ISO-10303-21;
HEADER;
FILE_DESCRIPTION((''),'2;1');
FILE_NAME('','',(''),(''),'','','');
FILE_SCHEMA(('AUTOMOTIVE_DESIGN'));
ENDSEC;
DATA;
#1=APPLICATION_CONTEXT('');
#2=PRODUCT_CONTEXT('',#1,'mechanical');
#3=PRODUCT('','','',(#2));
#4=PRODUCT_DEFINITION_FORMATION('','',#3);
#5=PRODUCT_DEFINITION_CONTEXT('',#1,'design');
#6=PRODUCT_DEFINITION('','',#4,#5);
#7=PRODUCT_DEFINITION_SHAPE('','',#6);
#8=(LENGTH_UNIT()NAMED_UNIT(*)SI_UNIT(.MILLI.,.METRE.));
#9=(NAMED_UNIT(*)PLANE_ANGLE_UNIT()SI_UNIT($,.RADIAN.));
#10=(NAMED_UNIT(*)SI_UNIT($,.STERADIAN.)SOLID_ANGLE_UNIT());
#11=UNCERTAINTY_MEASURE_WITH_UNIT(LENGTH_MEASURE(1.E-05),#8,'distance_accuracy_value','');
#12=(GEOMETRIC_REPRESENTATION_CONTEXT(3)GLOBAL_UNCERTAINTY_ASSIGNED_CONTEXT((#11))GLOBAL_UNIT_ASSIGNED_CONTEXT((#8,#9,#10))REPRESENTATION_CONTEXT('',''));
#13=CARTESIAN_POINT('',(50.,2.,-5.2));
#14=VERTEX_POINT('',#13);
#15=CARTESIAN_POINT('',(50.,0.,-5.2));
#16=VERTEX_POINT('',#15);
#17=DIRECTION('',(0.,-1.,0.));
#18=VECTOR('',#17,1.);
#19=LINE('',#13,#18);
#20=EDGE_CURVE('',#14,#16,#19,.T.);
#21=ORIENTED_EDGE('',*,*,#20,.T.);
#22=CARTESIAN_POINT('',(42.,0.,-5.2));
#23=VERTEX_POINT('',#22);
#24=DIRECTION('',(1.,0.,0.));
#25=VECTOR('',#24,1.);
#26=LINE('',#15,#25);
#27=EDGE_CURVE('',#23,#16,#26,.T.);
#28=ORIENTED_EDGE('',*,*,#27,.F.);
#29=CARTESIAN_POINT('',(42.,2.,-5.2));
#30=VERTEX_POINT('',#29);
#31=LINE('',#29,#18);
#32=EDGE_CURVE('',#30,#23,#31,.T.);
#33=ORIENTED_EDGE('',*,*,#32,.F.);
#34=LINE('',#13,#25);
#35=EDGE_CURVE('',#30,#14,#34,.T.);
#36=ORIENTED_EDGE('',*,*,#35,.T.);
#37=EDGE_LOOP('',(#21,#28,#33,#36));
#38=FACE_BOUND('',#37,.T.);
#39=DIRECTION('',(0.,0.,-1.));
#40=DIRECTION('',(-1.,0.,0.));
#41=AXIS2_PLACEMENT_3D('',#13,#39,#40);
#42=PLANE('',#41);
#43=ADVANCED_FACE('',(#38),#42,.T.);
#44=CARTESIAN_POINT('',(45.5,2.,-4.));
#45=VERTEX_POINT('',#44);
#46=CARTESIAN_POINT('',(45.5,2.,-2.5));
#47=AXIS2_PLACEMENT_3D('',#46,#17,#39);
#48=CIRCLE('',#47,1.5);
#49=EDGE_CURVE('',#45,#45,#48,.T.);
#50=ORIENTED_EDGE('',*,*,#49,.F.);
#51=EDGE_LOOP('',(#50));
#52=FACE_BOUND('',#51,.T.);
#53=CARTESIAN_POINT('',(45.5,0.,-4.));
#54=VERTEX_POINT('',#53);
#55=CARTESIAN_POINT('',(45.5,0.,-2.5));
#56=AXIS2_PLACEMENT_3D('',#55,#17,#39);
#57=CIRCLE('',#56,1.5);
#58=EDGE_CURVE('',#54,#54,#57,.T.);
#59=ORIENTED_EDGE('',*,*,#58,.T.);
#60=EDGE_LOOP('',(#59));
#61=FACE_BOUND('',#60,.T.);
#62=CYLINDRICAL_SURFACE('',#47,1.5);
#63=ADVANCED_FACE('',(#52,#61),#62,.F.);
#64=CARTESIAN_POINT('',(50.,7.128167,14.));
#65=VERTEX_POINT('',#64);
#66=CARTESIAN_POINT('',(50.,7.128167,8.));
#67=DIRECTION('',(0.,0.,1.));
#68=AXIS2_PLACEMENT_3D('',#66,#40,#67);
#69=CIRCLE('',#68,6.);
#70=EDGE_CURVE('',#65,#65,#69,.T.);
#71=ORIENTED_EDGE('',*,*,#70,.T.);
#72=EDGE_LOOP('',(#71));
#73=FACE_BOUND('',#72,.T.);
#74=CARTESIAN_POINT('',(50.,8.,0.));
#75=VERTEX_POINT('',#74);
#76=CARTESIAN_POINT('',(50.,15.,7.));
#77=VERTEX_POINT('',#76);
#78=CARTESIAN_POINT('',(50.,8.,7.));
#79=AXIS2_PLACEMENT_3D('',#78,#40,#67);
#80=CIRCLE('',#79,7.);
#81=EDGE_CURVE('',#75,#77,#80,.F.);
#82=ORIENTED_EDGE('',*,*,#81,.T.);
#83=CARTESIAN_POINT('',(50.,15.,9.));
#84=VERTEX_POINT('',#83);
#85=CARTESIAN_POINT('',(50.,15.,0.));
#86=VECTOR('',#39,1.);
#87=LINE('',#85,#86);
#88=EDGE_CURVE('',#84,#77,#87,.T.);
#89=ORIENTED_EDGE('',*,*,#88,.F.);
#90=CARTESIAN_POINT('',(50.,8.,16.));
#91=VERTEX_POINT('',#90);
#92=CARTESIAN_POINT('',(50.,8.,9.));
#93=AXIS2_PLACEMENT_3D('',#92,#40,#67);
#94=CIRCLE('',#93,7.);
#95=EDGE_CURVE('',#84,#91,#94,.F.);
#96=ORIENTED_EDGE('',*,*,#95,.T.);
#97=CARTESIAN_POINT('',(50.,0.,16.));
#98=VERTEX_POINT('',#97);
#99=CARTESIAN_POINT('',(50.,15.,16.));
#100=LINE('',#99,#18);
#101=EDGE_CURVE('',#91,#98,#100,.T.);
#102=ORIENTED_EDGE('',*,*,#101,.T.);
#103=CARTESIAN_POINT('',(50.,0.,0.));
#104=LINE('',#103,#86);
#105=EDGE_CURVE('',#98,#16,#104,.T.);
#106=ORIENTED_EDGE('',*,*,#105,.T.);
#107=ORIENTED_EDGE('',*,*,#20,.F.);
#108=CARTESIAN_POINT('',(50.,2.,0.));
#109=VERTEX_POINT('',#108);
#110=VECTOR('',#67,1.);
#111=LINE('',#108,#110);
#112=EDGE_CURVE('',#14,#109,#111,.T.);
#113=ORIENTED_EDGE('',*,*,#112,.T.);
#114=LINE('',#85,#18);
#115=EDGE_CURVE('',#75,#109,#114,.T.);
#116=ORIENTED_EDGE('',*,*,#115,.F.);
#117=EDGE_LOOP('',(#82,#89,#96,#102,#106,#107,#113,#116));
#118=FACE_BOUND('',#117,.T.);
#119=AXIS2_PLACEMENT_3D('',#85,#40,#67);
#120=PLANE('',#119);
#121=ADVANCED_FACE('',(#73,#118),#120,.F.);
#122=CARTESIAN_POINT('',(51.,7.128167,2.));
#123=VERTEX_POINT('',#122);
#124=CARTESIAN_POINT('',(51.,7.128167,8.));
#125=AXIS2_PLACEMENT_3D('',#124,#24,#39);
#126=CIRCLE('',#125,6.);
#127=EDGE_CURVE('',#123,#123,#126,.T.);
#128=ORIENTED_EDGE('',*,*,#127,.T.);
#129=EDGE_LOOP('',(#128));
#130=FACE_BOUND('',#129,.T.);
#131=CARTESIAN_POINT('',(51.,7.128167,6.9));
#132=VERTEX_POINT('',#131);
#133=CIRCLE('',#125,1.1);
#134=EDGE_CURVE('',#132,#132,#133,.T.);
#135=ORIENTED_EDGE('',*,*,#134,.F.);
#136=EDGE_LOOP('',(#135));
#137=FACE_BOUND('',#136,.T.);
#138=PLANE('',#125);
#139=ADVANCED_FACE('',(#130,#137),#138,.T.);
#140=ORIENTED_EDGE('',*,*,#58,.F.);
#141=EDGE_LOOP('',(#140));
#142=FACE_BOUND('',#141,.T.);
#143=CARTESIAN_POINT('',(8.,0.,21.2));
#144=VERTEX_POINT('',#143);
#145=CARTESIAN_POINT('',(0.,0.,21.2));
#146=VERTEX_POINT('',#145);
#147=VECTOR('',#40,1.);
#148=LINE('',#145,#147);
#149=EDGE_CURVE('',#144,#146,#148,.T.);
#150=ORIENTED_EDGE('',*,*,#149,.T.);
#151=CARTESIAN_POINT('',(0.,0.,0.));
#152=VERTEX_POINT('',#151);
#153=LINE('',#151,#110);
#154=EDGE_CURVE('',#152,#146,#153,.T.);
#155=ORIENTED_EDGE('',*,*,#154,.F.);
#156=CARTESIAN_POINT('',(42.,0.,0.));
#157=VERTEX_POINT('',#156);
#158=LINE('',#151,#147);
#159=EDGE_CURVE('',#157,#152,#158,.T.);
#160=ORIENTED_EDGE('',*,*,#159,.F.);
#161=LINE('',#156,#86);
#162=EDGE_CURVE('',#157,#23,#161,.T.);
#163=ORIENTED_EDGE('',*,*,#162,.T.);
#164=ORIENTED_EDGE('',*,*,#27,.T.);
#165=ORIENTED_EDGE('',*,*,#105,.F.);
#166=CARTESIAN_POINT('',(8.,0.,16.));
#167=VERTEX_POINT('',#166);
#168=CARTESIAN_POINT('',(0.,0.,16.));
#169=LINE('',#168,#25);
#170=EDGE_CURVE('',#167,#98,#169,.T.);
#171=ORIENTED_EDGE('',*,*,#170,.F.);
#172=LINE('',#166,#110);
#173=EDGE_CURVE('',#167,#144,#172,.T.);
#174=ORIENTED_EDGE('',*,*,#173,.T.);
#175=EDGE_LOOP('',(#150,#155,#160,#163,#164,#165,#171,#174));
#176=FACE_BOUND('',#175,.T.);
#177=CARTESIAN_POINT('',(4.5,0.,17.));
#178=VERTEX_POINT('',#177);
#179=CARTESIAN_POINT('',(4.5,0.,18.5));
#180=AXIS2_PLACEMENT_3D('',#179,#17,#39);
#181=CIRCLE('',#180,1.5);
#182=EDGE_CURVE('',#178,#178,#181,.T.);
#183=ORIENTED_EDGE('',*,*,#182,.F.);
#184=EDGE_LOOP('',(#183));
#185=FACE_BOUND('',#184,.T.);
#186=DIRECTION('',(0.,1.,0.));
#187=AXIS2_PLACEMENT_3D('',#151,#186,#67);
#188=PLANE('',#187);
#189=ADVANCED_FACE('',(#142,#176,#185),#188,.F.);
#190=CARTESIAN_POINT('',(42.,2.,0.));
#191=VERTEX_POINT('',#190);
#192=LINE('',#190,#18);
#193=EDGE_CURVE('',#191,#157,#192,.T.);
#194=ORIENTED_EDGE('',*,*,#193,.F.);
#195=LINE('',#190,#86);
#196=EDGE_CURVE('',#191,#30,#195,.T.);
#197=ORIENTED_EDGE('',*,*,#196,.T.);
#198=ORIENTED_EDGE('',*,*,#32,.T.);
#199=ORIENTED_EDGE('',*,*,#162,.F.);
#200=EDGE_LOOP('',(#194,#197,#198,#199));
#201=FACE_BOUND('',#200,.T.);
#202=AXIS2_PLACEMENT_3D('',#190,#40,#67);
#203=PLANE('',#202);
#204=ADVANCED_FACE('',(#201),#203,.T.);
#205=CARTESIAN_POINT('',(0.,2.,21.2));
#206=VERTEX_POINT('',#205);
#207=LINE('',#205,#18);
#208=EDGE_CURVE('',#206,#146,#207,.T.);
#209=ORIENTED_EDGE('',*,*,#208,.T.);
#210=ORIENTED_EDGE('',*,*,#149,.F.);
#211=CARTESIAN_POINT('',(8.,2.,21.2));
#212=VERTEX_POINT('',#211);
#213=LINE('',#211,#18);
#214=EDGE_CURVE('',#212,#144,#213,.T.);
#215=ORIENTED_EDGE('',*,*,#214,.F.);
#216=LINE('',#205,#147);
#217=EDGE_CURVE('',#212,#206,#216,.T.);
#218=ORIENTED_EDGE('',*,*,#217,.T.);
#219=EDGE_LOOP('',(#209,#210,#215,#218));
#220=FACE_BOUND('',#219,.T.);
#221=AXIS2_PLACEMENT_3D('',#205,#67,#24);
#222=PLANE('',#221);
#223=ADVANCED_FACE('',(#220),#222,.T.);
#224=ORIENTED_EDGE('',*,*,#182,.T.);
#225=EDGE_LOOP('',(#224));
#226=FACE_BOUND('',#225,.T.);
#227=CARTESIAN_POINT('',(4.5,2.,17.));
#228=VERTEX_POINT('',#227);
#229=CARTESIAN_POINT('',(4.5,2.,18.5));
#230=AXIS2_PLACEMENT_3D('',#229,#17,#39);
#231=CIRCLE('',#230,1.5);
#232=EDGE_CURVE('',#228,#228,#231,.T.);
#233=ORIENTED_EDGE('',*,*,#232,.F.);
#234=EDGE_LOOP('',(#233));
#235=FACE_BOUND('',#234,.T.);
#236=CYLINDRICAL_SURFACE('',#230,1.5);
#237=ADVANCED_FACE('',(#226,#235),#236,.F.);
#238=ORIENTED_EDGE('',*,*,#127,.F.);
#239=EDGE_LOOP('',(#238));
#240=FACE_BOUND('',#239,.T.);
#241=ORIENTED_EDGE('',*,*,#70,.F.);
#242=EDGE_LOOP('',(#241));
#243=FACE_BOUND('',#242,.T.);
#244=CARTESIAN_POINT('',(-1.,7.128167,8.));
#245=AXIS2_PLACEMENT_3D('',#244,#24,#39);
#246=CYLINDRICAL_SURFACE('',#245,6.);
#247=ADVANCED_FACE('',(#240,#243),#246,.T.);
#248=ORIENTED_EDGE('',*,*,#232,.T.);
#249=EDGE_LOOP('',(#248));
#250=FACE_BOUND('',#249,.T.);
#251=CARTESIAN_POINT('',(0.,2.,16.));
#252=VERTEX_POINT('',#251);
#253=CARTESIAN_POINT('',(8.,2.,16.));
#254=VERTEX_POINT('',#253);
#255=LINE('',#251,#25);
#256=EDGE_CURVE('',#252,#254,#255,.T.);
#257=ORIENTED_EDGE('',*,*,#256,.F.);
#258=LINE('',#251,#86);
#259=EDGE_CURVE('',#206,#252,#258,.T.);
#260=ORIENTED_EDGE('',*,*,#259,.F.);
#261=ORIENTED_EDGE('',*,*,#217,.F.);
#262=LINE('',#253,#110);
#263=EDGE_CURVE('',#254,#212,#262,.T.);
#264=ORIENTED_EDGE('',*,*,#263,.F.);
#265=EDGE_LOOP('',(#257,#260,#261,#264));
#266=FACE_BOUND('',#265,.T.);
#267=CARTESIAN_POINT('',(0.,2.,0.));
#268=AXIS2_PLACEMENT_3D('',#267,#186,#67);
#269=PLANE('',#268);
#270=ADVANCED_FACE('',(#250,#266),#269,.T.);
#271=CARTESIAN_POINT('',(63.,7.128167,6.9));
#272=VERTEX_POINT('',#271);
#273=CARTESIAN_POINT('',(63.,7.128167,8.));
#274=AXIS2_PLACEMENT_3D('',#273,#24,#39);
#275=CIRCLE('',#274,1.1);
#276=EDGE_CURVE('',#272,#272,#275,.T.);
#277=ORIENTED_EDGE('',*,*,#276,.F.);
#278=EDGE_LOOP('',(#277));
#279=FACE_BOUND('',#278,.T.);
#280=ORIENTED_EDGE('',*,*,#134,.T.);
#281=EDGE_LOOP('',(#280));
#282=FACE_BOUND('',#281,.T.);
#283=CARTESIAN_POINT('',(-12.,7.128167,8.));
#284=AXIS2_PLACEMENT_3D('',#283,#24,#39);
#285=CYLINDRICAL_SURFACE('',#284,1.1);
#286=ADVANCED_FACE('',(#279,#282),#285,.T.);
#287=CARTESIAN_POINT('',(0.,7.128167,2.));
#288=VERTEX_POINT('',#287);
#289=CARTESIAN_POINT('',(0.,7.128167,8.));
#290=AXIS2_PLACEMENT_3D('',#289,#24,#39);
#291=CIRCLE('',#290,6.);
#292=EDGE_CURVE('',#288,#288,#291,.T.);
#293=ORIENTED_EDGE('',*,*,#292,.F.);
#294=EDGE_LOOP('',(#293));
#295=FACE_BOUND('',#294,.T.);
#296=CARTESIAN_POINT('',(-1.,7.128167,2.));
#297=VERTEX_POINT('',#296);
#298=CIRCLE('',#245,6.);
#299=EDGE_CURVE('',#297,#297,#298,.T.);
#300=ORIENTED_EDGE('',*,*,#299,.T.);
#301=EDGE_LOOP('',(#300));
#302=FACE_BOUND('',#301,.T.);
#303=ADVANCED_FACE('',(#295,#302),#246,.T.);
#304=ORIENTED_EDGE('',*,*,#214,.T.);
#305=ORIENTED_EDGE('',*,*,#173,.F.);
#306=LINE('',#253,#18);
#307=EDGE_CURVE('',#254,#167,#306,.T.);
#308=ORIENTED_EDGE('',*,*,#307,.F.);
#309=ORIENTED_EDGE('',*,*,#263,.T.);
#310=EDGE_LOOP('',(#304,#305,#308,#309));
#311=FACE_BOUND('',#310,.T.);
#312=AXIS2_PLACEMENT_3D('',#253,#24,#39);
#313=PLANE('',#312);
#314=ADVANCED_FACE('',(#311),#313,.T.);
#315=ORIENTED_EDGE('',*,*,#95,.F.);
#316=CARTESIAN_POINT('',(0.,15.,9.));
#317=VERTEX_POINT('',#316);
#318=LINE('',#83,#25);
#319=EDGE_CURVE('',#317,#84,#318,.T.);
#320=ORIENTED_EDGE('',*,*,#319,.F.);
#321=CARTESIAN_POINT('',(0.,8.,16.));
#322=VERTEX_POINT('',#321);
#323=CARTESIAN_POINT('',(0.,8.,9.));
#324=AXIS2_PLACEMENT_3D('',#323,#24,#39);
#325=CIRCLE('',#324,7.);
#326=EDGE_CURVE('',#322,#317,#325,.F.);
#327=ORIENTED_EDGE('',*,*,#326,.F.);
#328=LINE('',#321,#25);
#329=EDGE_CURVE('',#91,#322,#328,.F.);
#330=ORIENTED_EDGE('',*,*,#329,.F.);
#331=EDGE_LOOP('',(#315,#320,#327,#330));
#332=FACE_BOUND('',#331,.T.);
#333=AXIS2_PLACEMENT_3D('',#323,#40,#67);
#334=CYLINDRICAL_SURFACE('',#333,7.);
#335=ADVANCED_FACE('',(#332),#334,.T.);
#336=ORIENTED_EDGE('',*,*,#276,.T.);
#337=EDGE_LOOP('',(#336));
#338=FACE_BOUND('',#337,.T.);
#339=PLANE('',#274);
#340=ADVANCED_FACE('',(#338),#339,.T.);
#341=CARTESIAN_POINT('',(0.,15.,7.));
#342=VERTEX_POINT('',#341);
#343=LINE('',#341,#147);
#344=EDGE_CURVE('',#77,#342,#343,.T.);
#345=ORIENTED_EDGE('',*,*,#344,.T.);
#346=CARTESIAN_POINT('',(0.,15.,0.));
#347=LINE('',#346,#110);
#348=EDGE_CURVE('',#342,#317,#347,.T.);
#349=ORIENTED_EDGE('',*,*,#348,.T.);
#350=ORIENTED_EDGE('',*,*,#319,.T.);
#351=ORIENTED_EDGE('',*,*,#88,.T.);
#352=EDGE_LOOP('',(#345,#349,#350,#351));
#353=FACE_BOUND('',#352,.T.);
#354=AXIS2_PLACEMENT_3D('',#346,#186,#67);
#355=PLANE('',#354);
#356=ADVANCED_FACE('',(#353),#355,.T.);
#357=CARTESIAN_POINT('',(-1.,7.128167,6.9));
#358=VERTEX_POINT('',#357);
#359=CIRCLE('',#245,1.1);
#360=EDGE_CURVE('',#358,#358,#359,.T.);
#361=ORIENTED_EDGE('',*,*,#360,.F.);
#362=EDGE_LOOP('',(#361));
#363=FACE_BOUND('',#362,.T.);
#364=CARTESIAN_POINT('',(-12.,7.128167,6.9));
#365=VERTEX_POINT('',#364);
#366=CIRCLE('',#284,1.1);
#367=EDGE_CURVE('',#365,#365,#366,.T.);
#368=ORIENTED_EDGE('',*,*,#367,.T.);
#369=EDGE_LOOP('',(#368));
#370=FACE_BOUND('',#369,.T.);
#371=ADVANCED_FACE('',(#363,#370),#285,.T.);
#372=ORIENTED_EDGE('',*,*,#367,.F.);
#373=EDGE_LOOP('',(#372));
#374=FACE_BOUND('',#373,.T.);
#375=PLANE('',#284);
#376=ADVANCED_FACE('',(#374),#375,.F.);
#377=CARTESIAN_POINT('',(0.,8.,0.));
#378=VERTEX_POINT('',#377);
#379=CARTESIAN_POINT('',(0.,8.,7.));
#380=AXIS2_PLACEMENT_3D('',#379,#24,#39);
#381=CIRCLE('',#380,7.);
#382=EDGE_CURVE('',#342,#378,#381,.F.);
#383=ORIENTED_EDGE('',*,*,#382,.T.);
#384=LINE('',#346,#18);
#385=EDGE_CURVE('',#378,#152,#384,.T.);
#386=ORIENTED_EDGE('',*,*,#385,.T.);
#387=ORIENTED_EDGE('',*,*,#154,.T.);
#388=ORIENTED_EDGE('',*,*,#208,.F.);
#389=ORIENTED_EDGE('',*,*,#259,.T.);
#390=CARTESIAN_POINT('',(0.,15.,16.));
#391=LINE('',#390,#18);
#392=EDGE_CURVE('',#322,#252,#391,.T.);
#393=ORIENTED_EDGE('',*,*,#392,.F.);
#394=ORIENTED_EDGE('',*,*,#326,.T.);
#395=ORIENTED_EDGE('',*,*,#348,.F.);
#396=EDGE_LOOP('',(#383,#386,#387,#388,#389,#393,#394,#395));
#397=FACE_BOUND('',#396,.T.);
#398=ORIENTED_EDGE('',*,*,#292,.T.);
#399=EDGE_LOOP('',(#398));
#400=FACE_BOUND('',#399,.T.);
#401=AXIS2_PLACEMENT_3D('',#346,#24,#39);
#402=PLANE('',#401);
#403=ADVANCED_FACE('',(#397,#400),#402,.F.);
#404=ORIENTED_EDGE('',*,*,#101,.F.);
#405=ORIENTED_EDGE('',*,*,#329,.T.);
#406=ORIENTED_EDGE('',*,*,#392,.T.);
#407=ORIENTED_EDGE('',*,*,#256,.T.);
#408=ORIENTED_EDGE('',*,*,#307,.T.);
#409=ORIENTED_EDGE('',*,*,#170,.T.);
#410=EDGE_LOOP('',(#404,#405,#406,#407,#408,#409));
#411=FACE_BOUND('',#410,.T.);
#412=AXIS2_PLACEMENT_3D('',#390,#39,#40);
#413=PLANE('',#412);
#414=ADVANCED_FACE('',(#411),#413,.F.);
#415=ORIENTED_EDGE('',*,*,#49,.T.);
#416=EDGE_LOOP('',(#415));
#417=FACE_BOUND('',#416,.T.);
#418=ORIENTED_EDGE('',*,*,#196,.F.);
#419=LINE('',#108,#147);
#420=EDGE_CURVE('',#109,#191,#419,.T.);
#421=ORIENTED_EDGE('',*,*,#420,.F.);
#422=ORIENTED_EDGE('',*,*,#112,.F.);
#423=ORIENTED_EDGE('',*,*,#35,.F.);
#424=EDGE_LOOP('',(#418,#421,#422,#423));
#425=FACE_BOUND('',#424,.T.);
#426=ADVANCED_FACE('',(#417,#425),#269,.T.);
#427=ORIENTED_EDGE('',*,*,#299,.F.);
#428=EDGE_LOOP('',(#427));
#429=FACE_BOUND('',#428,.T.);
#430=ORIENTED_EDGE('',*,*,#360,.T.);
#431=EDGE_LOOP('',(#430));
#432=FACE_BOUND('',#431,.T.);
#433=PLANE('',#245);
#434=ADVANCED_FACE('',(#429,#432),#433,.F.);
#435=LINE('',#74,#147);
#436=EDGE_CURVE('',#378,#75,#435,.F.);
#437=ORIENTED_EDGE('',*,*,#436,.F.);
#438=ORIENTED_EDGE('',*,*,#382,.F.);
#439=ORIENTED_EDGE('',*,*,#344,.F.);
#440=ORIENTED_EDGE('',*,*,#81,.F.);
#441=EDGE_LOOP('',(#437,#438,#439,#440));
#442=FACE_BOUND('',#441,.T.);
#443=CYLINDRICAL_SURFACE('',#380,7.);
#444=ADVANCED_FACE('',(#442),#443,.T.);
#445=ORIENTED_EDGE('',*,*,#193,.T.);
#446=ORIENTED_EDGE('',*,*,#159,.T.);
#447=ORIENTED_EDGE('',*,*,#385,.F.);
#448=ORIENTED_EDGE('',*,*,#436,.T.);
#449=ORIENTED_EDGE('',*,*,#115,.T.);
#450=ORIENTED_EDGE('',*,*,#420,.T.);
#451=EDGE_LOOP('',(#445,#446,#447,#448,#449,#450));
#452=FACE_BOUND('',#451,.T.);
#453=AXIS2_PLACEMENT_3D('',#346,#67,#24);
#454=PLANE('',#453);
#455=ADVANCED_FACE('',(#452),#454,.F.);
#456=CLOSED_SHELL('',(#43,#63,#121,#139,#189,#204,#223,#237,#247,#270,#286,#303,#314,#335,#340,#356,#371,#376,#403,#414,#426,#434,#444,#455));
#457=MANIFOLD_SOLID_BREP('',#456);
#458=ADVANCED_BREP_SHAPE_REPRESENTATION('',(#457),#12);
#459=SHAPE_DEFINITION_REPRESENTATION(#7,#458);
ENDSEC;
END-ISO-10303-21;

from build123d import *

# Parameters (mm, degrees)
SKETCH_1_W           = 50
SKETCH_1_H           = 16
EXTRUDE_1_DEPTH      = 15
SKETCH_2_W           = 8
SKETCH_2_H           = 5.2
SKETCH_2_R           = 1.5
EXTRUDE_2_DEPTH      = 2
FILLET_1_R           = 7
EXTRUDE_3_DEPTH      = 1
EXTRUDE_3_DEPTH_BACK = 51
SKETCH_3_R           = 6
EXTRUDE_4_DEPTH      = 12
EXTRUDE_4_DEPTH_BACK = 63
SKETCH_4_R           = 1.1


with BuildPart() as part:
    # Эскиз1 → Бобышка-Вытянуть1 (new body)
    with BuildSketch(Plane(origin=(0, 0, 0), x_dir=(1, 0, 0), z_dir=(0, 1, 0))):
        with Locations((25, -8)):
            Rectangle(SKETCH_1_W, SKETCH_1_H)
    extrude(amount=EXTRUDE_1_DEPTH)

    # Эскиз2 → Бобышка-Вытянуть2 (add)
    # profile 1 of 2: a face of its own
    with BuildSketch(Plane.XZ):
        with Locations((4, 18.6)):
            Rectangle(SKETCH_2_W, SKETCH_2_H)
        with Locations(Location((4.5, 18.5, 0), (0, 0, 270))):
            Circle(SKETCH_2_R, mode=Mode.SUBTRACT)
    # profile 2 of 2: a face of its own
    with BuildSketch(Plane.XZ):
        with Locations((46, -2.6)):
            Rectangle(SKETCH_2_W, SKETCH_2_H)
        with Locations(Location((45.5, -2.5, 0), (0, 0, 270))):
            Circle(SKETCH_2_R, mode=Mode.SUBTRACT)
    extrude(amount=-EXTRUDE_2_DEPTH)

    # Скругление1
    fillet_1_edges = [part.edges().sort_by_distance(p)[0] for p in [
        (25, 15, 0),
        (25, 15, 16),
    ]]
    fillet(fillet_1_edges, radius=FILLET_1_R)

    # Эскиз3 → Бобышка-Вытянуть3 (add, two sides: drawn at the far end of the back side and taken through both)
    with BuildSketch(Plane(origin=(50, 0, 0), x_dir=(0, 0, -1), z_dir=(1, 0, 0)).offset(-EXTRUDE_3_DEPTH_BACK)):
        with Locations((-8, 7.128166943)):
            Circle(SKETCH_3_R)
    extrude(amount=EXTRUDE_3_DEPTH + EXTRUDE_3_DEPTH_BACK)

    # Эскиз4 → Бобышка-Вытянуть4 (add, two sides: drawn at the far end of the back side and taken through both)
    with BuildSketch(Plane(origin=(51, 0, 0), x_dir=(0, 0, -1), z_dir=(1, 0, 0)).offset(-EXTRUDE_4_DEPTH_BACK)):
        with Locations((-8, 7.128166943)):
            Circle(SKETCH_4_R)
    extrude(amount=EXTRUDE_4_DEPTH + EXTRUDE_4_DEPTH_BACK)


solid = part.part
